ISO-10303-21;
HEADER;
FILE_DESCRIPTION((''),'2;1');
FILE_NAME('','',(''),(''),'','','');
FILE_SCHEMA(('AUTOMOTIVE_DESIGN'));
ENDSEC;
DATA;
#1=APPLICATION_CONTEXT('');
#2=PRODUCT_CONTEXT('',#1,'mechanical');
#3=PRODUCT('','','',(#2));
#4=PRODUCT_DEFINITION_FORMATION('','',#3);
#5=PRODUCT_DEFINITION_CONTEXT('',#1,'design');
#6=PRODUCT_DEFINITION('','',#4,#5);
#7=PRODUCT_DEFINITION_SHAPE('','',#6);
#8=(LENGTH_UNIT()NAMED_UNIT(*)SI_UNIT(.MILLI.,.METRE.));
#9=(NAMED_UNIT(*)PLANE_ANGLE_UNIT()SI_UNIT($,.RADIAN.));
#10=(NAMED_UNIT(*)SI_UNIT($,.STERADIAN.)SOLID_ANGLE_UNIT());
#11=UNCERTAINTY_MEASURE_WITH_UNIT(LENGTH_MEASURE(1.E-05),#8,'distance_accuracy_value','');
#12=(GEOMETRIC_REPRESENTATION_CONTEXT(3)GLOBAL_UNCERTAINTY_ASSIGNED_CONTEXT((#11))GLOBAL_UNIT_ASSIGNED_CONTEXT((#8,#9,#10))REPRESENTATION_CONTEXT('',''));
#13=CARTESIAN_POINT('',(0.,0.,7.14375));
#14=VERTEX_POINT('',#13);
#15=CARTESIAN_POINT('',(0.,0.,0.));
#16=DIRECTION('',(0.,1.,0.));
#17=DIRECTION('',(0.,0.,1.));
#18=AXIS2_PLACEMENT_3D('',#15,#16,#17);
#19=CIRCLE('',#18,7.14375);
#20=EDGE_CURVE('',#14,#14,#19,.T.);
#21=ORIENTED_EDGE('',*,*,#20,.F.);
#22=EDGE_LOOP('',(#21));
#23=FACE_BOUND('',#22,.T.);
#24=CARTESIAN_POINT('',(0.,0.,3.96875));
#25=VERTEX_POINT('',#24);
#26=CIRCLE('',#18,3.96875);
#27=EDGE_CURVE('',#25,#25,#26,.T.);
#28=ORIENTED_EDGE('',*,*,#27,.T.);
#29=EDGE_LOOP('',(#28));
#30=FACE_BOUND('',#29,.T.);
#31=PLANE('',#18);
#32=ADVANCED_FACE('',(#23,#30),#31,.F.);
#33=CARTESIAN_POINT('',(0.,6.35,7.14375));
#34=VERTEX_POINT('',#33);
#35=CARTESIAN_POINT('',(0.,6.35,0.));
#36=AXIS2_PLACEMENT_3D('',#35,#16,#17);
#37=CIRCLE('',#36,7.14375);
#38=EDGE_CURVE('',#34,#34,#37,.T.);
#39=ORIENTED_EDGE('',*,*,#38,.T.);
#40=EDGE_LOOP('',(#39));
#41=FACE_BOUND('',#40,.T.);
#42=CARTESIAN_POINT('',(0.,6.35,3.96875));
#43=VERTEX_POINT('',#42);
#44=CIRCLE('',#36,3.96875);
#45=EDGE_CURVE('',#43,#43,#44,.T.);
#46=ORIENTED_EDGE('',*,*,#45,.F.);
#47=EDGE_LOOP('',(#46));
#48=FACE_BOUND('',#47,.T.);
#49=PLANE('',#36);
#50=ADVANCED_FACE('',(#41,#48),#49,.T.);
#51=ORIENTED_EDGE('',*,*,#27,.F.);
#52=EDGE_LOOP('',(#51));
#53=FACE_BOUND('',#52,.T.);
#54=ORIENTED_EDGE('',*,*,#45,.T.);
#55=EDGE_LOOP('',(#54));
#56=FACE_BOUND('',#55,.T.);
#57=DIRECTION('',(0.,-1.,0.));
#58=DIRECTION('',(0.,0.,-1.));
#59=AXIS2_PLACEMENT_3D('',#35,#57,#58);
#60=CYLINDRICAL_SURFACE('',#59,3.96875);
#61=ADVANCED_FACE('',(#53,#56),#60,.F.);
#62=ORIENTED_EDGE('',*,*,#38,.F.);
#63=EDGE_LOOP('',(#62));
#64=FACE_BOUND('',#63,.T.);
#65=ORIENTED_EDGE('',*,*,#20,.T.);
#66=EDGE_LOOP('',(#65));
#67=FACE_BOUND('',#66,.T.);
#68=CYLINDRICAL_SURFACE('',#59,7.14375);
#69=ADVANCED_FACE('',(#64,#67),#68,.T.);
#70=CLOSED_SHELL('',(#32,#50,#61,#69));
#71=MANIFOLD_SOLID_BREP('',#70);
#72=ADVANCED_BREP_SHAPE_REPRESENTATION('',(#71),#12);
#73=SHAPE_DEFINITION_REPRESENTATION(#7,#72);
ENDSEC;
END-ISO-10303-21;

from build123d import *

# Parameters (mm, degrees)
SKETCH1_R           = 7.14375
SKETCH1_R_2         = 3.96875
BOSS_EXTRUDE1_DEPTH = 6.35


with BuildPart() as part:
    # Sketch1 → Boss-Extrude1 (new body)
    with BuildSketch(Plane(origin=(0, 0, 0), x_dir=(1, 0, 0), z_dir=(0, 1, 0))):
        Circle(SKETCH1_R)
        Circle(SKETCH1_R_2, mode=Mode.SUBTRACT)
    extrude(amount=BOSS_EXTRUDE1_DEPTH)


solid = part.part
